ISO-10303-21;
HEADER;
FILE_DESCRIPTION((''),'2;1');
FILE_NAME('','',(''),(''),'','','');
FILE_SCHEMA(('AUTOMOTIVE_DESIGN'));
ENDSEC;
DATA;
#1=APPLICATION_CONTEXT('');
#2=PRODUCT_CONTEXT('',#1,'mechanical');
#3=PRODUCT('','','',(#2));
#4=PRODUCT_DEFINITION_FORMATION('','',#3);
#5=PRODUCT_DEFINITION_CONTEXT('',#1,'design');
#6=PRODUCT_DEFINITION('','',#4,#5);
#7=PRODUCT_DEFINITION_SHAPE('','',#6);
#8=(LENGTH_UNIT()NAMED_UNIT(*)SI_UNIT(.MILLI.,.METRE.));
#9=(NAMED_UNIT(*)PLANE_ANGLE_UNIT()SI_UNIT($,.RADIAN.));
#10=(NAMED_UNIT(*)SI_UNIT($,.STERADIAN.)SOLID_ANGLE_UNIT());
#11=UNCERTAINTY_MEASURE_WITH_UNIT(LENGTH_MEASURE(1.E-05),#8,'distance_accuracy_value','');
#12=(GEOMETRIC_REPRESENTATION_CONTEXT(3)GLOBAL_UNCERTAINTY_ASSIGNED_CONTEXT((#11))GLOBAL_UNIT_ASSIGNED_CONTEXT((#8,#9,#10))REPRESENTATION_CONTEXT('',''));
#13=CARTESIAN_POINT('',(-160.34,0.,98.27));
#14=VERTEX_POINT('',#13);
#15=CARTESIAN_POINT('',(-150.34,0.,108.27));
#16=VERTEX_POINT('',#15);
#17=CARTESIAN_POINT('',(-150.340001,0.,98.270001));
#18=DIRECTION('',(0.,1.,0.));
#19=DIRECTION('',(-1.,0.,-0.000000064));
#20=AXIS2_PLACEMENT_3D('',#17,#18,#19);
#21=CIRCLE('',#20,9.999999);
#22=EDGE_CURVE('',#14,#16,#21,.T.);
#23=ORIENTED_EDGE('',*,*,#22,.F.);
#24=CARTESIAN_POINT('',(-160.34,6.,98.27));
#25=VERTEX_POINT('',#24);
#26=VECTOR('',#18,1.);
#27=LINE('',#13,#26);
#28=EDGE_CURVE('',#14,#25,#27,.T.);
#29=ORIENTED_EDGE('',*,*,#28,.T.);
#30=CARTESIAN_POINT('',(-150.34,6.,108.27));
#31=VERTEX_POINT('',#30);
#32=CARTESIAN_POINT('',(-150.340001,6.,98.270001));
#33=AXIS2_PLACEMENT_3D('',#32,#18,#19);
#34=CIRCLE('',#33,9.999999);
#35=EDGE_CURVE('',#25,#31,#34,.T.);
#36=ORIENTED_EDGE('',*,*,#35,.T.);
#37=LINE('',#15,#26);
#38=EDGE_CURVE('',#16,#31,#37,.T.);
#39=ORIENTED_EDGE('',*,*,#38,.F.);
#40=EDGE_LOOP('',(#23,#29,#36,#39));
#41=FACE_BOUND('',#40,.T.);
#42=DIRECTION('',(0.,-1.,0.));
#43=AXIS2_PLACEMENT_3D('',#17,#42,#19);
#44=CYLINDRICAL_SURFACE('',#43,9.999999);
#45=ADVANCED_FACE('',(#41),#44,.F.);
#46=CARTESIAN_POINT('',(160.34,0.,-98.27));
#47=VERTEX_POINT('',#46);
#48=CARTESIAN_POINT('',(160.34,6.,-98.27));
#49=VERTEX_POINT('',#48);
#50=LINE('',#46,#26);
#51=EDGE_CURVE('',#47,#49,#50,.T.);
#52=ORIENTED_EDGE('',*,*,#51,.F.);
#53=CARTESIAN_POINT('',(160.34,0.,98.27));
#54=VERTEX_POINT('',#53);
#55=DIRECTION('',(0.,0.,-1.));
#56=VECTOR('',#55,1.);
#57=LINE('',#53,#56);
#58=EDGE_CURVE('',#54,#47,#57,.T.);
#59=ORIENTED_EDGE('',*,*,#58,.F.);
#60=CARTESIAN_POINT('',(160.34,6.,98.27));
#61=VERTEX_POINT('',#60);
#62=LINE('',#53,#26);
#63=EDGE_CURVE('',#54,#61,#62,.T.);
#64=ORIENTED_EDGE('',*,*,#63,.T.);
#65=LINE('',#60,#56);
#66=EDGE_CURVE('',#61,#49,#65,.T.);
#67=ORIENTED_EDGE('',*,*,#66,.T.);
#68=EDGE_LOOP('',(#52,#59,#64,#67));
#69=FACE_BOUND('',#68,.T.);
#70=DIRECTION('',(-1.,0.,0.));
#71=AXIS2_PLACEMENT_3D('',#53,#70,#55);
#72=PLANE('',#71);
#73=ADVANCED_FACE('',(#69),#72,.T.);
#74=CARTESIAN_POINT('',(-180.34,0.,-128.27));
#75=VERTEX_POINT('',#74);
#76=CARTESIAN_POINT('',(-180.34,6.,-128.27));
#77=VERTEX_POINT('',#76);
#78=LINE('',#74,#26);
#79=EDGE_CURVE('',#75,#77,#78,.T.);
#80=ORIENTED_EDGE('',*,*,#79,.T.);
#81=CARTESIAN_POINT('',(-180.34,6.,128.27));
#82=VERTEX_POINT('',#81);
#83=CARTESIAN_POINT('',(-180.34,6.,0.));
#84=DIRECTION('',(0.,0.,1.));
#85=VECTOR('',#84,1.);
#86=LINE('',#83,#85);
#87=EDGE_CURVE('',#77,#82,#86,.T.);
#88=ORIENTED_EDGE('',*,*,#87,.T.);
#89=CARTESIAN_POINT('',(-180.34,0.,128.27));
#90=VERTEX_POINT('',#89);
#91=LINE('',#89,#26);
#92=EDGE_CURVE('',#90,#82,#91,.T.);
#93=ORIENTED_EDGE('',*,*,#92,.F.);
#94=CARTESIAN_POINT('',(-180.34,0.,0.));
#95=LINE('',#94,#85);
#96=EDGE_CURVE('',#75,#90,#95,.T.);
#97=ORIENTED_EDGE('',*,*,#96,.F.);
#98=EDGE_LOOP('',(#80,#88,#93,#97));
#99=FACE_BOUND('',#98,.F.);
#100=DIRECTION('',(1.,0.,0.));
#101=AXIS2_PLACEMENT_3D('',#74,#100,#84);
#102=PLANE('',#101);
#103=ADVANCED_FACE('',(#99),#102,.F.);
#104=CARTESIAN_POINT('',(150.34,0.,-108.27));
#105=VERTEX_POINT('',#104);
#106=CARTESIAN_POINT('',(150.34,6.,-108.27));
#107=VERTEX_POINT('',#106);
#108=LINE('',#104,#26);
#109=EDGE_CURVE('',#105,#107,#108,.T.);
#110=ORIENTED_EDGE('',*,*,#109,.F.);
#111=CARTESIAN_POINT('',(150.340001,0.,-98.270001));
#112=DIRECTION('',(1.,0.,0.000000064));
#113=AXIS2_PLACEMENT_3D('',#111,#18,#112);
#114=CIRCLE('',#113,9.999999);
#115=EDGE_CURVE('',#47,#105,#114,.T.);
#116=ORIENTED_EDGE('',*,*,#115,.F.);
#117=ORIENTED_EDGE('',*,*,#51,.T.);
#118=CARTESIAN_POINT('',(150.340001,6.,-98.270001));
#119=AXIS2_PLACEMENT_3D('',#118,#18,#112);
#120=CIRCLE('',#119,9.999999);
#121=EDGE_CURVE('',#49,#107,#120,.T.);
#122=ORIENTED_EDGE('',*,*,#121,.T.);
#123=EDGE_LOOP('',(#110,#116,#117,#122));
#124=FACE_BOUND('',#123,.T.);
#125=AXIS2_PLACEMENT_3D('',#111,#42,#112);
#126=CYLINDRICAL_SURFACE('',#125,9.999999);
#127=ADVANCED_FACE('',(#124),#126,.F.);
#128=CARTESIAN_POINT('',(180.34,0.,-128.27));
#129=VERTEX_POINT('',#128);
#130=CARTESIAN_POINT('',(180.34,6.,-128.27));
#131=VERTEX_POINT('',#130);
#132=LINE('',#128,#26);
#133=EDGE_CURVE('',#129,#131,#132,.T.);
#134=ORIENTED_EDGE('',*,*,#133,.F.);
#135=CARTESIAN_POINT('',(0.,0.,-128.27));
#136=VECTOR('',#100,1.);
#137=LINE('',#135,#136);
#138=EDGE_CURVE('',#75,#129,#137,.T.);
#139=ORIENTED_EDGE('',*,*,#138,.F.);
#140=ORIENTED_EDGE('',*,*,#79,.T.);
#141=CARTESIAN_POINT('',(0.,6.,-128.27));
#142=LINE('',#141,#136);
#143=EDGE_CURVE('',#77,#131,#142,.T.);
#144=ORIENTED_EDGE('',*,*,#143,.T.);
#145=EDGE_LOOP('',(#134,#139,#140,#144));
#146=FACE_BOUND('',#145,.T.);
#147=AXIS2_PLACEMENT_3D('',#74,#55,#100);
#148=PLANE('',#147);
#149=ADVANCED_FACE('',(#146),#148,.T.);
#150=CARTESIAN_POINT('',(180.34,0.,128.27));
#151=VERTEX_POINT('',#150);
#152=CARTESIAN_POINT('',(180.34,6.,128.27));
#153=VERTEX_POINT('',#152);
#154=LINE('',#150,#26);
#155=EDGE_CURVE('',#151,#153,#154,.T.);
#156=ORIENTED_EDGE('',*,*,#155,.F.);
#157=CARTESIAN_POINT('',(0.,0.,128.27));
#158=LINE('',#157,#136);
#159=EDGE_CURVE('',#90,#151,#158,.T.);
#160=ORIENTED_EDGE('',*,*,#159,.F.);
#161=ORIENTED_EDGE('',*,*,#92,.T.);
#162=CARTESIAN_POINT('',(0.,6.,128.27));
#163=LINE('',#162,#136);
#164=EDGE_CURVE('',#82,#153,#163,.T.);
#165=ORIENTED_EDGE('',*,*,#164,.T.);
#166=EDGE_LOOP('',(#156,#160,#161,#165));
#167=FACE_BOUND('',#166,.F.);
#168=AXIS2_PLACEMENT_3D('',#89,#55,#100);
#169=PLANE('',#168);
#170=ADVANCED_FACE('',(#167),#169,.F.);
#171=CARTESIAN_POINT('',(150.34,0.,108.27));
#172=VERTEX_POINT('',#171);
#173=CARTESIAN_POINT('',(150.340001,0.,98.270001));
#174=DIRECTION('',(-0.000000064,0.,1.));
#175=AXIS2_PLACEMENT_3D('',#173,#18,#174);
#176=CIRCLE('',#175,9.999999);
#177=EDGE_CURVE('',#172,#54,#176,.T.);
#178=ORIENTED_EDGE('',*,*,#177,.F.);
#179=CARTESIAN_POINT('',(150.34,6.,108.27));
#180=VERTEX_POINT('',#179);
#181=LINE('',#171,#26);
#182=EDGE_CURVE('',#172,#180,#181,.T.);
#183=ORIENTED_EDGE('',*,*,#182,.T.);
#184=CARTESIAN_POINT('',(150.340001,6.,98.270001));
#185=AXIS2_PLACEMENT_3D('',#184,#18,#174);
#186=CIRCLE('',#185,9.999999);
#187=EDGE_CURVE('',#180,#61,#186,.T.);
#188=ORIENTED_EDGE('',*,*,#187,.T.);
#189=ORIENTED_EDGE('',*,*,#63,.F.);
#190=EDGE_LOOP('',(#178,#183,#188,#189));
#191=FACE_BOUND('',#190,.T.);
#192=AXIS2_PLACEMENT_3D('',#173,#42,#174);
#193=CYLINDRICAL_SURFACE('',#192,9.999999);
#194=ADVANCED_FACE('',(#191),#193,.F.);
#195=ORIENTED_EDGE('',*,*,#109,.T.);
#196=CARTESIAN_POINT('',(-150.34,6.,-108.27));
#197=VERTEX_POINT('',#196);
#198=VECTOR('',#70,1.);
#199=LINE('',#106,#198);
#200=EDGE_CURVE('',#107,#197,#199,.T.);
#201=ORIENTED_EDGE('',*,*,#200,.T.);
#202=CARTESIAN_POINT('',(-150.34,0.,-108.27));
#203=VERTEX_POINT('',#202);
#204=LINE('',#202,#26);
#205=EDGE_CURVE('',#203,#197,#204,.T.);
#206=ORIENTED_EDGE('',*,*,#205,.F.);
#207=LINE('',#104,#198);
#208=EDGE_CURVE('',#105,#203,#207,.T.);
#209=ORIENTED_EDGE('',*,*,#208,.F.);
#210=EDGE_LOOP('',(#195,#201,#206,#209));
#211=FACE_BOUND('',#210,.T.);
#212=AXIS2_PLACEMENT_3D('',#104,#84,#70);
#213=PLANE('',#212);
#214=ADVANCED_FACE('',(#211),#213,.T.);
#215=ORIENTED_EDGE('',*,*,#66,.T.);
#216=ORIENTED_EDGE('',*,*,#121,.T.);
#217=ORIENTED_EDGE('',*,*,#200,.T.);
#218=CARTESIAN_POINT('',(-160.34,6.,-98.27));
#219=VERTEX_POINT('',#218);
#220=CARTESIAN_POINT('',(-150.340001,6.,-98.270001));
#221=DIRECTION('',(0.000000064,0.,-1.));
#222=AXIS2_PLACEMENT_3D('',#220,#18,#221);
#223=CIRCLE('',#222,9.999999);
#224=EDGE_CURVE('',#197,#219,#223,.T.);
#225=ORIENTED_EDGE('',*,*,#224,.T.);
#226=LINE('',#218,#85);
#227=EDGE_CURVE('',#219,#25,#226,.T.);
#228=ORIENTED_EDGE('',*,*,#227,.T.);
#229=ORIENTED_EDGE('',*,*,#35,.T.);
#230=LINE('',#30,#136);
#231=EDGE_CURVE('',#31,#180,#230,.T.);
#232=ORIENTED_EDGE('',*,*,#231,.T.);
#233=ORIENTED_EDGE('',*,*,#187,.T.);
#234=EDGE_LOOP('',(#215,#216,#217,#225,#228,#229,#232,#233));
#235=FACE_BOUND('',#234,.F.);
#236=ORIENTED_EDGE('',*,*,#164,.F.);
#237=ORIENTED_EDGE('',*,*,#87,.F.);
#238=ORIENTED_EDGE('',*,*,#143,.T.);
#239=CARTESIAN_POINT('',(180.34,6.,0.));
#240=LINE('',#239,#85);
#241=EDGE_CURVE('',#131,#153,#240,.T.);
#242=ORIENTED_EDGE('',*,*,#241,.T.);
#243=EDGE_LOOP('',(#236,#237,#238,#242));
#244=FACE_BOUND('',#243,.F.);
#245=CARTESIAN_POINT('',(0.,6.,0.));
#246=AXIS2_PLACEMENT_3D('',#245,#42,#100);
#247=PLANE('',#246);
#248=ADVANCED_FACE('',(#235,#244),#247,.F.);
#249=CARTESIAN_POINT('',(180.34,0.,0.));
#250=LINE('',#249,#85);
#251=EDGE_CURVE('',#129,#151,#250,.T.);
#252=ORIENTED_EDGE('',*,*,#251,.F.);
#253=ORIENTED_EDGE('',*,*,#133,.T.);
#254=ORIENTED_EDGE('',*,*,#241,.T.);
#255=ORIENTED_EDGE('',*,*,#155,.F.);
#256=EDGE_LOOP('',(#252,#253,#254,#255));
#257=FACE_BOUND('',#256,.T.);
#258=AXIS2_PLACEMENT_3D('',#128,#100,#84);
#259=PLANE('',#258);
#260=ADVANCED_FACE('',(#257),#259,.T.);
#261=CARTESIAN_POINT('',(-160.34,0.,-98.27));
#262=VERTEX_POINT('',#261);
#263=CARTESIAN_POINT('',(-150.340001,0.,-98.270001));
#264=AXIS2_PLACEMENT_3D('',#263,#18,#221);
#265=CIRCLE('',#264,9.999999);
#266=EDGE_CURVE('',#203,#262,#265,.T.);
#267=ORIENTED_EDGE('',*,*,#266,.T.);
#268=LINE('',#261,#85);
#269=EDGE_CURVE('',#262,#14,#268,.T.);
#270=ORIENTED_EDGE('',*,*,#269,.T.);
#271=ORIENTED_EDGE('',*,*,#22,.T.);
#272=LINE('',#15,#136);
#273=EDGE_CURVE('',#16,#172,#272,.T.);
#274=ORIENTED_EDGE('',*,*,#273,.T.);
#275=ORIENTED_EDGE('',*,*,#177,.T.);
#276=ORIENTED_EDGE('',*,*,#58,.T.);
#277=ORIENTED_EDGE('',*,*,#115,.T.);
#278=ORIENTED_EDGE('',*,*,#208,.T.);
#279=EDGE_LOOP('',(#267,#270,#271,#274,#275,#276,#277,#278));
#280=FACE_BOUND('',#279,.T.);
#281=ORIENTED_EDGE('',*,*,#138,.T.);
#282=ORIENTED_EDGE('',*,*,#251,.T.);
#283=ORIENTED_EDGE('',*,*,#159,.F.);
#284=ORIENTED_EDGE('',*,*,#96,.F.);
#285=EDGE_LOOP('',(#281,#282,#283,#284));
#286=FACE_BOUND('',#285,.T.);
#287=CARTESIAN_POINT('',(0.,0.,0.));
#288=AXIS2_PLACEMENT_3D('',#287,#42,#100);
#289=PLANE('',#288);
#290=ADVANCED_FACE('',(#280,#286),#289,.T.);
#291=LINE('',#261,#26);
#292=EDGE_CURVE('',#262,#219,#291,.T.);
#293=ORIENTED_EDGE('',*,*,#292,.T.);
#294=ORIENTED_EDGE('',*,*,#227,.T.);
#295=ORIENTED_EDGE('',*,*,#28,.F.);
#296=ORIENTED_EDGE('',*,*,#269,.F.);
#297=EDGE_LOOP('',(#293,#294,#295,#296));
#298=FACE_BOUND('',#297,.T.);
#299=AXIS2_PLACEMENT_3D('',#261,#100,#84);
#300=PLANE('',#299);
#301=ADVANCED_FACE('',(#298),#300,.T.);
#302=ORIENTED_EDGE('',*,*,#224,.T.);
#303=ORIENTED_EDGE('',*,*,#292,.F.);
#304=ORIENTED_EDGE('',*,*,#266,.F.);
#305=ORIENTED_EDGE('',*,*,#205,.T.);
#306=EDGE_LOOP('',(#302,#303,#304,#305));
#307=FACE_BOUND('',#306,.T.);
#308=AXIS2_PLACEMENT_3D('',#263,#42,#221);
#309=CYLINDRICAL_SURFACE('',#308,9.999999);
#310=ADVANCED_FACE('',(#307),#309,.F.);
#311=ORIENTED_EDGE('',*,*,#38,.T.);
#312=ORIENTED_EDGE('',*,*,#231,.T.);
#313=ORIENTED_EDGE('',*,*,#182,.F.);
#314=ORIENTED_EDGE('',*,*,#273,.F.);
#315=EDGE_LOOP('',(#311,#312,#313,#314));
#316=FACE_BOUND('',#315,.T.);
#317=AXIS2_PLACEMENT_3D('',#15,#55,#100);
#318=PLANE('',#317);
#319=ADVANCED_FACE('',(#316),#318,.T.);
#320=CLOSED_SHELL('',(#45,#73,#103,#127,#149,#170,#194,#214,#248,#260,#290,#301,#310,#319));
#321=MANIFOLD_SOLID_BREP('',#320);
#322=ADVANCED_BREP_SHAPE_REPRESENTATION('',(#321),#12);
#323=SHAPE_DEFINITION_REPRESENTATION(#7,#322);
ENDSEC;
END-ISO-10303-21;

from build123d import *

# Parameters (mm, degrees)
F0_W     = 360.68
F0_H     = 256.54
F1_DEPTH = 6


with BuildPart() as f1:
    # F0 (on Front) → F1 (new body)
    with BuildSketch(Plane.XZ):
        Rectangle(F0_W, F0_H)
        with BuildLine():
            ThreePointArc((-160.34, 98.27), (-157.411068, 105.341068), (-150.34, 108.27))
            Line((-150.34, 108.27), (150.34, 108.27))
            ThreePointArc((150.34, 108.27), (157.411068, 105.341068), (160.34, 98.27))
            Line((160.34, 98.27), (160.34, -98.27))
            ThreePointArc((160.34, -98.27), (157.411068, -105.341068), (150.34, -108.27))
            Line((150.34, -108.27), (-150.34, -108.27))
            ThreePointArc((-150.34, -108.27), (-157.411068, -105.341068), (-160.34, -98.27))
            Line((-160.34, -98.27), (-160.34, 98.27))
        make_face(mode=Mode.SUBTRACT)
    extrude(amount=-F1_DEPTH)


solid = f1.part
